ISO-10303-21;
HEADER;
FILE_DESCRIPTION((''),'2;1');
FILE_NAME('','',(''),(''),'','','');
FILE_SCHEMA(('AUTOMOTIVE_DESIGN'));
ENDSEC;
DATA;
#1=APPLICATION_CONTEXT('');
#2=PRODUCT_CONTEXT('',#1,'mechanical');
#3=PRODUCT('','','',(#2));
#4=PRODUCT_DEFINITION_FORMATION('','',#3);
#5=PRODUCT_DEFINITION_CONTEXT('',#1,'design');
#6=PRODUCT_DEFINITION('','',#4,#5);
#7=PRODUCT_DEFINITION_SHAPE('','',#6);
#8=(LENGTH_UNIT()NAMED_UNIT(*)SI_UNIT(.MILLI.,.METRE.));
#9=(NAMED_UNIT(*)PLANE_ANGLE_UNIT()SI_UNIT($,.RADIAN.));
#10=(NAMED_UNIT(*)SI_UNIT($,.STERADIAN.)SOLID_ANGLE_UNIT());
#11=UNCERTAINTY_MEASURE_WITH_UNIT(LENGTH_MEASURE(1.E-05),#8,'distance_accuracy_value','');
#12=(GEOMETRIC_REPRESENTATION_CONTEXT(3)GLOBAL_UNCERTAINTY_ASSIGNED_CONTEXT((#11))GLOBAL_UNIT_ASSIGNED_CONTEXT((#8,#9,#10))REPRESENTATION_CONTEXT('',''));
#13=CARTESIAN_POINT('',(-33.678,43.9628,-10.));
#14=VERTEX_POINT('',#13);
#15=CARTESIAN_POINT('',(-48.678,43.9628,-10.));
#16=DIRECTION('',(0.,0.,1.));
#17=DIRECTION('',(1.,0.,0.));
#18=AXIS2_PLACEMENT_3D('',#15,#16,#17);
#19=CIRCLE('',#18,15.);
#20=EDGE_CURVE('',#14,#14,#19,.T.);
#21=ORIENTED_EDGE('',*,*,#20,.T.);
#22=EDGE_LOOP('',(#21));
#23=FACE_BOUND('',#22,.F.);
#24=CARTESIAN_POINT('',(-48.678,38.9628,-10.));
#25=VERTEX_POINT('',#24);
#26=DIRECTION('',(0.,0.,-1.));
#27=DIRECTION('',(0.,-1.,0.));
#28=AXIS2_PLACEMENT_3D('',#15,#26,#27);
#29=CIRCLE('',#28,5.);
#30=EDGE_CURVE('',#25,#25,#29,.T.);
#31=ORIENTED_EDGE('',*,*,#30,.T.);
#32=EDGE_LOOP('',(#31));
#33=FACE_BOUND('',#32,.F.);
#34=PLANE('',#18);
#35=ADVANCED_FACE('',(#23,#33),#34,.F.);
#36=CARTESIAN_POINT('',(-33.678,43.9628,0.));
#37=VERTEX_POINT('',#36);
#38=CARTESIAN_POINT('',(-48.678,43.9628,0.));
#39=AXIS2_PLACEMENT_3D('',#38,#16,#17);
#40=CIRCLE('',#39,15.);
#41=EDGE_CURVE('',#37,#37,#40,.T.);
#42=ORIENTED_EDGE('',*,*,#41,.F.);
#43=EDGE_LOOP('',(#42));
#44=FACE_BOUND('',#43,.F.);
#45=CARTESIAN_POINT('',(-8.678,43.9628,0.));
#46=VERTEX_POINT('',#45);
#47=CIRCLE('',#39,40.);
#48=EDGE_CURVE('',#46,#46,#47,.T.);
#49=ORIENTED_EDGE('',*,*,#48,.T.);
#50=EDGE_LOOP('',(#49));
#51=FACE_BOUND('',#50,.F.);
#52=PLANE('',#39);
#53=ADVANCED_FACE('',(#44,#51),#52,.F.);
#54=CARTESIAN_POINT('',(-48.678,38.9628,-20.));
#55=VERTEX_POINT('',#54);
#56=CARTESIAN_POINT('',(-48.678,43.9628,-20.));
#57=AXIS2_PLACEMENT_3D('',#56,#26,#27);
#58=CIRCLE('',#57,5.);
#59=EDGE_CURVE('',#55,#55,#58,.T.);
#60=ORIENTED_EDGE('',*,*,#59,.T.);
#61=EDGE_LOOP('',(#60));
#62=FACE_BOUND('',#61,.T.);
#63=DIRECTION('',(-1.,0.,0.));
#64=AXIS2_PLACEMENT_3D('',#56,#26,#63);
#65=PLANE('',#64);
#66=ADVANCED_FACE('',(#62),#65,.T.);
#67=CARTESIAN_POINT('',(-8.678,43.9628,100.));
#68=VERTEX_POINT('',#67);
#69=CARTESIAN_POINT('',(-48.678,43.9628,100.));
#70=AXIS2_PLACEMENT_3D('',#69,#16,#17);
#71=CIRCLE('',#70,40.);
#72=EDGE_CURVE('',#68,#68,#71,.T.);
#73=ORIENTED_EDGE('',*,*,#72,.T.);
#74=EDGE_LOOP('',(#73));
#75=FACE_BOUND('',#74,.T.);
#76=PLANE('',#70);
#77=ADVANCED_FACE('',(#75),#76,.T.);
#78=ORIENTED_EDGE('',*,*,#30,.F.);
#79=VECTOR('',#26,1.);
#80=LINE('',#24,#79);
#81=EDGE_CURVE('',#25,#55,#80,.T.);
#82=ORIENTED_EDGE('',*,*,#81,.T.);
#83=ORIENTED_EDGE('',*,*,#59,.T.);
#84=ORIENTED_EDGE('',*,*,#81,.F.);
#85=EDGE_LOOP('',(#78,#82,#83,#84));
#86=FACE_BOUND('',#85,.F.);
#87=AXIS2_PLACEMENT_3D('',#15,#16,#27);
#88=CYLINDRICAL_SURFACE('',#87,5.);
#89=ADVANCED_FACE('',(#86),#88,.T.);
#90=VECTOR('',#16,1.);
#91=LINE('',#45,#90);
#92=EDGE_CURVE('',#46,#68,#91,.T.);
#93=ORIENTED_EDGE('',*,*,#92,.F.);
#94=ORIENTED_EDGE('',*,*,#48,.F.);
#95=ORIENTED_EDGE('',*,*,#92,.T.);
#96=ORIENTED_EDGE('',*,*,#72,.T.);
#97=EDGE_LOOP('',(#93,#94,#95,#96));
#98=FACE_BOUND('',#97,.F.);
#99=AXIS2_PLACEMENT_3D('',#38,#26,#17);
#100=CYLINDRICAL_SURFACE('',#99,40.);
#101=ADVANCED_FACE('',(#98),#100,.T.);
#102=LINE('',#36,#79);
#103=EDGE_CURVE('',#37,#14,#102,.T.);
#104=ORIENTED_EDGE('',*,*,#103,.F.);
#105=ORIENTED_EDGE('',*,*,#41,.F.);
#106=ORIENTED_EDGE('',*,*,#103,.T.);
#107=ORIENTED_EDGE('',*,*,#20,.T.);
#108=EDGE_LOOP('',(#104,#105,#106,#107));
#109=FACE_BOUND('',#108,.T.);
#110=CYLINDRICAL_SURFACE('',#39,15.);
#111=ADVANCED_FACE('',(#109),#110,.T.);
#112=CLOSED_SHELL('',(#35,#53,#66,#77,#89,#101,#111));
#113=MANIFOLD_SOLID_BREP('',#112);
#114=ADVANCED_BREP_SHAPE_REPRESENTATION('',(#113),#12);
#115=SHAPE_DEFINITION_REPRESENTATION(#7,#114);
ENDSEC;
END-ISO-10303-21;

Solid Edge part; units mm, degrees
sketch "Sketch1" plane through (0, 0, 0) normal (0, 0, 1) x (1, 0, 0)
  circle A0 centre (-48.678, 43.9628) radius 40
extrude "Protrusion1" add sketch "Sketch1" along normal blind 100
sketch "Sketch2" plane through (0, 0, 0) normal (0, 0, 1) x (1, 0, 0)
  circle A0 centre (-48.678, 43.9628) radius 15
extrude "ExtrudedProtrusion_3" add sketch "Sketch2" against normal blind 10
sketch "Sketch3" plane through (-48.678, 43.9628, -10) normal (0, 0, -1) x (0, -1, 0)
  circle A0 centre (0, 0) radius 5
extrude "ExtrudedProtrusion_4" add sketch "Sketch3" along normal blind 10
